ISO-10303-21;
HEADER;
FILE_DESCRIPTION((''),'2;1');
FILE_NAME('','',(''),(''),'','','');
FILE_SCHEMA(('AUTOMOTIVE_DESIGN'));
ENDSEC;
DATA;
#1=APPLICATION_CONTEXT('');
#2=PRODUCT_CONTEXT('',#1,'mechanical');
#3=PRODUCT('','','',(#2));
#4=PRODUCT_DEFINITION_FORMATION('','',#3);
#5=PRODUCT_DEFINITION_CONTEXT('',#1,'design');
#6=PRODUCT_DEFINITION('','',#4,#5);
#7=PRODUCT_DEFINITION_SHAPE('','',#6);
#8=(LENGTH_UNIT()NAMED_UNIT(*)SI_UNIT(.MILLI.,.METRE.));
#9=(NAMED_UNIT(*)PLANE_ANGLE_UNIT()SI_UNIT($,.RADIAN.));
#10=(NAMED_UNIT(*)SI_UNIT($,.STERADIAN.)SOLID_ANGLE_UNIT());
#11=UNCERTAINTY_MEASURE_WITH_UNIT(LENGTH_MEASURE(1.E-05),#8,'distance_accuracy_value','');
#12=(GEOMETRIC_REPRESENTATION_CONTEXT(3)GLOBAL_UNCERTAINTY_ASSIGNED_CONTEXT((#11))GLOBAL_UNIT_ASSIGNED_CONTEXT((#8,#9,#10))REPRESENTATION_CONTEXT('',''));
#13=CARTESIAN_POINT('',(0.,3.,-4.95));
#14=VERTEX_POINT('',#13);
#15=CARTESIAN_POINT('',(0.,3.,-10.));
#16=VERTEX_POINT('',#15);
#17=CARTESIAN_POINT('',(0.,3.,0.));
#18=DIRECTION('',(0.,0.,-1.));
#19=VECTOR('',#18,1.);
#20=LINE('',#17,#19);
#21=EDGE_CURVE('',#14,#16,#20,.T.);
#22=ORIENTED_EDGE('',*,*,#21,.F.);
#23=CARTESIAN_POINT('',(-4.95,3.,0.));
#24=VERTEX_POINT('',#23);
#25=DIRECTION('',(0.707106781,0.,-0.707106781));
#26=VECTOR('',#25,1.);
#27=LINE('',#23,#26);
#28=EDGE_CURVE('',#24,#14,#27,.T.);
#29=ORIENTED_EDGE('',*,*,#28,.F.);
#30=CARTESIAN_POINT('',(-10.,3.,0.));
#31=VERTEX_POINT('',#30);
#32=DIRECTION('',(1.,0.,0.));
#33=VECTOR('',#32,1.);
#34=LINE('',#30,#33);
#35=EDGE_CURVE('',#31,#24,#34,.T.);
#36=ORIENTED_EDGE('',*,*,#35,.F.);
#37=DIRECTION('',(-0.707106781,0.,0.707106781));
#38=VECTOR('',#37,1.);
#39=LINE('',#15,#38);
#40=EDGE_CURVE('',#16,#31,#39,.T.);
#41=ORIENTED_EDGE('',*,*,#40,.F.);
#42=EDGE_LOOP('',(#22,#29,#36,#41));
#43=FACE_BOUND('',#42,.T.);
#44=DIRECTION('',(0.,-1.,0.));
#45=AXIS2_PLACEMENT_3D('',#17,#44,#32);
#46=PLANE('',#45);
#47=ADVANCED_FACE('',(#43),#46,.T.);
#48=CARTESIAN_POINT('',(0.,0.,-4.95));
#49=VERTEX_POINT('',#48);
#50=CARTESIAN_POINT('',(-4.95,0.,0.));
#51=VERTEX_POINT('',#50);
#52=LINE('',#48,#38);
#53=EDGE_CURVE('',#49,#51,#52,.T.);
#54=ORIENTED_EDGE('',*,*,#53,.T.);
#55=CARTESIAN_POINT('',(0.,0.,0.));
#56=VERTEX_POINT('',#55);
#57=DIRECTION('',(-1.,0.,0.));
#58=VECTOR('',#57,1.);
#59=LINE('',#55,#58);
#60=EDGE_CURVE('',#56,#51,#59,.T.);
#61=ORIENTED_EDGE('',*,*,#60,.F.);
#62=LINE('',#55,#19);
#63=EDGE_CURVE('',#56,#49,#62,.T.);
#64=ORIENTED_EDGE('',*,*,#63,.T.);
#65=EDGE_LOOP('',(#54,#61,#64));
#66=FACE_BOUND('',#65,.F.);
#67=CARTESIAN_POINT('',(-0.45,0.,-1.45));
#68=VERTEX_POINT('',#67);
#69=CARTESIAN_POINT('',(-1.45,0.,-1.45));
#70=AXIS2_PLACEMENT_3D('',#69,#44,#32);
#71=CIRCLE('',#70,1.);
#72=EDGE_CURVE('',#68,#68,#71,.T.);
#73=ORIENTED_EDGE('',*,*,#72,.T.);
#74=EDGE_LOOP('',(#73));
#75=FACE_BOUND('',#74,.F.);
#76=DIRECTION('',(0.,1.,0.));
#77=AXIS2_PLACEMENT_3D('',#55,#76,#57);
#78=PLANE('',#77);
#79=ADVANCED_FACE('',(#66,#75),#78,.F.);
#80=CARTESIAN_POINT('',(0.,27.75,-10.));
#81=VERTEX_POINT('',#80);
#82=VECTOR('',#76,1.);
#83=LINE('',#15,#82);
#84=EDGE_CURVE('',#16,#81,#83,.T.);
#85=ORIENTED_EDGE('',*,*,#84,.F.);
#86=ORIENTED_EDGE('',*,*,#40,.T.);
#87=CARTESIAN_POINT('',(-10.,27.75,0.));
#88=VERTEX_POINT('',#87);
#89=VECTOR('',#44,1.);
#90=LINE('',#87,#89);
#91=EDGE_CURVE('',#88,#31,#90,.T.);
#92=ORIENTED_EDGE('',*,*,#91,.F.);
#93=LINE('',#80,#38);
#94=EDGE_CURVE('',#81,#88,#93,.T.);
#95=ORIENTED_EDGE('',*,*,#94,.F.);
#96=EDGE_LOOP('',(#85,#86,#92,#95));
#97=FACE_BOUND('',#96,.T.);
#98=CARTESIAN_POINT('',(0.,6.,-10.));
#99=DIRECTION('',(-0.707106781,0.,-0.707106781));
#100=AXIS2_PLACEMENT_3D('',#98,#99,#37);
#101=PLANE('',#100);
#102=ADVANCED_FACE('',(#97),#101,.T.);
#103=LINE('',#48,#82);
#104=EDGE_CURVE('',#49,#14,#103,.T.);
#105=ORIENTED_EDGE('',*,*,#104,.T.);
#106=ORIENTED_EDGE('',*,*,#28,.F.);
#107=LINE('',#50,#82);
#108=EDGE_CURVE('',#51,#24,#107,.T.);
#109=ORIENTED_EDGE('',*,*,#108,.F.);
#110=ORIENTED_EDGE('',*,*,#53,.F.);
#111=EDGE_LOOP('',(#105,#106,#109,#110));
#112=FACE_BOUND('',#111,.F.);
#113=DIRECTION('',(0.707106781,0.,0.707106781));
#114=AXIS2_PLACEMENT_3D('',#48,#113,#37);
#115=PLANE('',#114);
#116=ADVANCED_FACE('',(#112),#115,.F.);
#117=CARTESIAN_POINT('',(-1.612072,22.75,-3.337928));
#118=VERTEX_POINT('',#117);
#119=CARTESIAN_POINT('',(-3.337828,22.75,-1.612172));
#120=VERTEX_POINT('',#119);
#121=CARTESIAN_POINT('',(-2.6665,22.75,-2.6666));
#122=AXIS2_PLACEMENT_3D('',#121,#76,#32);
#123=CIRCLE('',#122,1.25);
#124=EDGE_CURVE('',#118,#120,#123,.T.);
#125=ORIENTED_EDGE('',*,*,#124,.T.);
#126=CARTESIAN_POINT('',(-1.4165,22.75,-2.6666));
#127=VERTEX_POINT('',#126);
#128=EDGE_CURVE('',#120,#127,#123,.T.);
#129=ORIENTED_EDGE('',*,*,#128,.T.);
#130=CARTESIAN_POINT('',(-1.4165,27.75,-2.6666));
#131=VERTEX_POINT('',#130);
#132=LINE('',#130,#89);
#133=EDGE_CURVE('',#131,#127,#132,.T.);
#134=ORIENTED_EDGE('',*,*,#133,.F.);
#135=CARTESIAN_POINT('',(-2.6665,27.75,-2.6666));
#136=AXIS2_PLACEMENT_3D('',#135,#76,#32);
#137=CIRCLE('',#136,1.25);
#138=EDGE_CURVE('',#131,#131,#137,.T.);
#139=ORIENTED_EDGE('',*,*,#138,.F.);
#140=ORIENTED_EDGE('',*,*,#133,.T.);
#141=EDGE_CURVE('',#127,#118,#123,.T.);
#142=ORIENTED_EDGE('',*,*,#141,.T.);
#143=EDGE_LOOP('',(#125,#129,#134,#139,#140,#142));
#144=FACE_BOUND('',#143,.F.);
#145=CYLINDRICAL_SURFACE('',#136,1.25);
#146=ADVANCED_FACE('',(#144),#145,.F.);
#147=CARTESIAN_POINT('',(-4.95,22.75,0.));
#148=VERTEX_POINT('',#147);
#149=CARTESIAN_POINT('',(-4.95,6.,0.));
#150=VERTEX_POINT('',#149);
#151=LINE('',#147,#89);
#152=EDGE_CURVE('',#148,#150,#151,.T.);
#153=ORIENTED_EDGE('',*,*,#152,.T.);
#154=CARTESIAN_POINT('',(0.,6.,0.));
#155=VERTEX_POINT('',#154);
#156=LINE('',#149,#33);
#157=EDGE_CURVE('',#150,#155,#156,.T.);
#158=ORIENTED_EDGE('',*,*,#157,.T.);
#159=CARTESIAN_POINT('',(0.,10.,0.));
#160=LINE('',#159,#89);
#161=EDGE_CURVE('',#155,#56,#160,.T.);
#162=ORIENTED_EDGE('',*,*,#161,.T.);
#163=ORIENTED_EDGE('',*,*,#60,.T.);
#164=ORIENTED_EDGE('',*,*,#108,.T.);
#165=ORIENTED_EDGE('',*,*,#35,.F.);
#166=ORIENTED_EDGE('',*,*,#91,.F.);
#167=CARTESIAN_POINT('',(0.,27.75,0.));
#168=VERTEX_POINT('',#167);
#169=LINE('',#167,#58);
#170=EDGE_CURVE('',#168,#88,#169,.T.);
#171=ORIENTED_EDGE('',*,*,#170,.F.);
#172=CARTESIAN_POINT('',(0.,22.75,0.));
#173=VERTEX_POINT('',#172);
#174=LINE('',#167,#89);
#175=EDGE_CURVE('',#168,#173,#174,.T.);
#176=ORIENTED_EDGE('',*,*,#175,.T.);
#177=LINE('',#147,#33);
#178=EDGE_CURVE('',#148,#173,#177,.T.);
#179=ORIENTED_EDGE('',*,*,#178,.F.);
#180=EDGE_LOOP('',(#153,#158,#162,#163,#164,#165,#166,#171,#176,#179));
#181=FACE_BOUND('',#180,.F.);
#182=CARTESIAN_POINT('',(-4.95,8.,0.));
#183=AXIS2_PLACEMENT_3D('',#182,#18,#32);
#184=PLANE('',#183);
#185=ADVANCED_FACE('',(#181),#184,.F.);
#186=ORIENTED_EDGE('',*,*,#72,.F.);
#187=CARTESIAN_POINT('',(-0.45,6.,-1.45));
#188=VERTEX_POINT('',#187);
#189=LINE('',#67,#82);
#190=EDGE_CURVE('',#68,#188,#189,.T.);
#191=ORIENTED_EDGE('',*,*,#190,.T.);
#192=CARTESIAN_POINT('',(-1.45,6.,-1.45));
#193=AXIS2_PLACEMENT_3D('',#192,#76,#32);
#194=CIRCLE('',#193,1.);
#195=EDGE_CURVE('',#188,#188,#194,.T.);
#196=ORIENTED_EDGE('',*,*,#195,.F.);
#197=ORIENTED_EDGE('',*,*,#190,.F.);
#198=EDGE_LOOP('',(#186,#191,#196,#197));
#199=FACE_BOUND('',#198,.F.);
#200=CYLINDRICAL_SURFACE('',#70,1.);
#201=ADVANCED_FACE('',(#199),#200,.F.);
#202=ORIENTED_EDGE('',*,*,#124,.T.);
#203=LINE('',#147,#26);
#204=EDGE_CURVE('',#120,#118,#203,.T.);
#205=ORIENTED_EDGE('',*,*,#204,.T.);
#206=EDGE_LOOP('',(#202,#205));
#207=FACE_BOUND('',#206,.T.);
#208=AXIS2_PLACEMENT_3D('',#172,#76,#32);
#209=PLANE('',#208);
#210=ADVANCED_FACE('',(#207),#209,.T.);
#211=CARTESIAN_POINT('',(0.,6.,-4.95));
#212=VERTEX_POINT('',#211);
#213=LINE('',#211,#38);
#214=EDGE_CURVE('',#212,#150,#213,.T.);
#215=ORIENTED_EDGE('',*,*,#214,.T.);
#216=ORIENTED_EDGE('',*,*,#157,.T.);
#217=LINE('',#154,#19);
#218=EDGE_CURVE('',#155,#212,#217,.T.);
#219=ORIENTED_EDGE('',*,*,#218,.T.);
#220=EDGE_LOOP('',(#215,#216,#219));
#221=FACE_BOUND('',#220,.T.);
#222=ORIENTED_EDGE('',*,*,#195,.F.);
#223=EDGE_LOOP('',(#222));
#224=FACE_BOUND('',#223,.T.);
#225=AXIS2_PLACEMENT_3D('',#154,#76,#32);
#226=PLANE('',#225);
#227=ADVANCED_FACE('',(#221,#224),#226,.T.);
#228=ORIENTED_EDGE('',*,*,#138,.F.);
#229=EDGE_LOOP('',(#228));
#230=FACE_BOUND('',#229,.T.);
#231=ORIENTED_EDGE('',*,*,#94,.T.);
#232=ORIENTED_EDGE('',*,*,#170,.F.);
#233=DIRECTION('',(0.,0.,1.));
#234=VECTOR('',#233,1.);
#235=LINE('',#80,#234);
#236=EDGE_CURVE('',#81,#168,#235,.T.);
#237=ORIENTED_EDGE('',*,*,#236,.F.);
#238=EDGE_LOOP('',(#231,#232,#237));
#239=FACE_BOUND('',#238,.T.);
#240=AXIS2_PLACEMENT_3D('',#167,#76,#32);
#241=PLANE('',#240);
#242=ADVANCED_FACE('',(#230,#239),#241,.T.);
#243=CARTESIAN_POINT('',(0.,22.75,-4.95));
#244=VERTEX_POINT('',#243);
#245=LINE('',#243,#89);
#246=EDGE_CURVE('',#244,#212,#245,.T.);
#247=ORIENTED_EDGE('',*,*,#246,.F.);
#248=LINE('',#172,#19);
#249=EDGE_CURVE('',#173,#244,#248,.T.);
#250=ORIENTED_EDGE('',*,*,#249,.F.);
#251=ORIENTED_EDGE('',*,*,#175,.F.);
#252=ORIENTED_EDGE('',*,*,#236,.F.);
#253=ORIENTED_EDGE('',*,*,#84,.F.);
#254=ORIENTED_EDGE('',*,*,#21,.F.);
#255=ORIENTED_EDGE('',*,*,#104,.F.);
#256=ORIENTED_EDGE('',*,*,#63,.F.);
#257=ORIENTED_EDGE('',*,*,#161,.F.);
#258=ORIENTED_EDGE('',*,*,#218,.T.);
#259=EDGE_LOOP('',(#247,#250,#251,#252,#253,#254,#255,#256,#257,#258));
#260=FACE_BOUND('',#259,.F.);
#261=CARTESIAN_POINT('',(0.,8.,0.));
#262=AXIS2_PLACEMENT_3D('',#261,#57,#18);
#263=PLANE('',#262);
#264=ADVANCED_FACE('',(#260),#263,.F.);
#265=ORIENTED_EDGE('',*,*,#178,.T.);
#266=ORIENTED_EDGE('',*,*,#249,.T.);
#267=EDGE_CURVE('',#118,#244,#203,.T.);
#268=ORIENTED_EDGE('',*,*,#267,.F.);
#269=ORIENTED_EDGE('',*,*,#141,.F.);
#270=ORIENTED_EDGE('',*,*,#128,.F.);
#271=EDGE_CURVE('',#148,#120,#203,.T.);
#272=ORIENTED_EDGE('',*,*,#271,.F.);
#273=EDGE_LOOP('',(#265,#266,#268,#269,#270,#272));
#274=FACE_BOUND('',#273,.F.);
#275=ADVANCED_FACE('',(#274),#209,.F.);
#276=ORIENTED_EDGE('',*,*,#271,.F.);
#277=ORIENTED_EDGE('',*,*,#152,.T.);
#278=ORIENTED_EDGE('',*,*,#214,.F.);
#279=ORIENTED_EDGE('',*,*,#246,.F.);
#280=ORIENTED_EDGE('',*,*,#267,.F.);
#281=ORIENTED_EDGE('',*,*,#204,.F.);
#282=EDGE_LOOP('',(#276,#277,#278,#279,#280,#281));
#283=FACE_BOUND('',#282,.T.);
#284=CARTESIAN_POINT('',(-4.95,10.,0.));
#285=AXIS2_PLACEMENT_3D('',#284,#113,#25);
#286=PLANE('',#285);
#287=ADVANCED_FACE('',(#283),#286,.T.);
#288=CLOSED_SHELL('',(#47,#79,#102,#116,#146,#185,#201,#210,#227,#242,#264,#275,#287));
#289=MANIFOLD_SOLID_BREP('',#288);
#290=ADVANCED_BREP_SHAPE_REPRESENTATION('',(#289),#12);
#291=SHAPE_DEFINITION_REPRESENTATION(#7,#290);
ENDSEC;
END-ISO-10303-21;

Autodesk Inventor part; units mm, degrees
ref_plane "YZ Plane" through (0, 0, 0) normal (1, 0, 0) x (0, 1, 0)
ref_plane "XZ Plane" through (0, 0, 0) normal (0, 1, 0) x (-1, 0, 0)
ref_plane "XY Plane" through (0, 0, 0) normal (0, 0, 1) x (1, 0, 0)
sketch "Sketch1" plane through (0, 0, 0) normal (0, 1, 0) x (-1, 0, 0)
  line L0 (0, 0) -> (4.95, 0)
  line L1 (0, 0) -> (0, -4.95)
  line L2 (0, -4.95) -> (4.95, 0)
  dimension "d0" = 4.95
  dimension "d1" = 4.95
extrude "Extrusion1" add sketch "Sketch1" along normal blind 6
sketch "Sketch2" plane through (0, 6, 0) normal (0, 1, 0) x (1, 0, 0)
  line L0 (-4.95, 0) -> (0, 0) projected
  line L1 (0, 0) -> (-10, 0)
  line L2 (0, 0) -> (0, 10)
  line L3 (0, 10) -> (-10, 0)
  dimension "d4" = 10
  dimension "d5" = 10
extrude "Extrusion2" add sketch "Sketch2" along normal blind 2
sketch "Sketch3" plane through (0, 8, 0) normal (0, 1, 0) x (1, 0, 0)
  line L0 (-10, 0) -> (-4.95, 0) projected
  line L1 (-10, 0) -> (-4.95, 0)
  line L2 (0, 4.95) -> (0, 10) projected
  line L3 (-4.95, 0) -> (0, 4.95)
  line L4 (0, 4.95) -> (0, 10)
  line L5 (0, 10) -> (-10, 0)
  point P0 (0, 0)
extrude "Extrusion3" add sketch "Sketch3" along normal blind 19.75
sketch "Sketch4" plane through (0, 27.75, 0) normal (0, 1, 0) x (1, 0, 0)
  line L0 (-4.95, 0) -> (0, 0) projected
  line L1 (-4.95, 0) -> (0, 0)
  line L2 (-4.95, 0) -> (0, 4.95) projected
  line L3 (0, 0) -> (0, 4.95) projected
extrude "Extrusion4" add sketch "Sketch4" against normal blind 5
sketch "Sketch6" plane through (0, 27.75, 0) normal (0, 1, 0) x (1, 0, 0)
  line L0 (-10, 0) -> (-4.95, 0) projected
  line L1 (-10, 0) -> (0, 10)
  line L2 (0, 10) -> (-10, 0) projected
  line L3 (-4.95, 0) -> (0, 0) projected
  line L4 (0, 0) -> (0, 10) projected
  circle A0 centre (-2.6665, 2.6666) radius 1.25
  dimension "d12" = 2.5
  dimension "d17" = 3.3
  dimension "d18" = 2.6665
  dimension "d19" = 2.6666
extrude "Extrusion5" cut sketch "Sketch6" against normal blind 5 contours A0
sketch "Sketch7" plane through (0, 8, 0) normal (0, 1, 0) x (1, 0, 0)
  line L0 (0, 4.95) -> (-4.95, 0) projected
  line L1 (0, 4.95) -> (-4.95, 0)
  line L2 (0, 4.95) -> (-4.95, 0) projected
  line L3 (0, 0) -> (0, 4.95) projected
  line L4 (-4.95, 0) -> (0, 0)
  line L5 (0, 0) -> (0, 4.95)
extrude "Extrusion6" add sketch "Sketch7" along normal blind 2
sketch "Sketch8" plane through (0, 0, 0) normal (0, -1, 0) x (1, 0, 0)
  line L0 (-4.95, 0) -> (0, 0) projected
  line L1 (0, 0) -> (0, -4.95) projected
  circle A0 centre (-1.45, -1.45) radius 1
  dimension "d20" = 1.45
  dimension "d21" = 1.45
  dimension "d22" = 2
extrude "Extrusion7" cut sketch "Sketch8" against normal up to surface (10 mm away)
sketch "Sketch9" plane through (0, 27.75, 0) normal (0, 1, 0) x (1, 0, 0)
  line L0 (0, 10) -> (10.5977, -0.5977)
  line L1 (0, 0) -> (0, 10) projected
  line L2 (0, 10) -> (-10, 0) projected
  line L3 (0, 10) -> (11.6673, -1.6673)
  line L4 (11.6673, -1.6673) -> (1.6673, -11.6673)
  line L5 (11.6673, -1.6673) -> (30.5491, -1.6673) construction
  line L6 (-10, 0) -> (1.6673, -11.6673)
  arc A0 (8.435, -4.8995) -> (4.8995, -8.435) centre (6.6673, -6.6673) ccw
  line L7 (6.6673, -6.6673) -> (4.8995, -4.8995)
  circle A1 centre (4.8995, -4.8995) radius 1.25
  dimension "d25" = 45
  dimension "d26" = 16.5
  dimension "d27" = 135
  dimension "d28" = 5
  dimension "d29" = 2.5
sketch "Sketch10" plane through (0, 10, 0) normal (0, 1, 0) x (1, 0, 0)
  line L0 (-4.95, 0) -> (0, 0) projected
  line L1 (-4.95, 0) -> (0, 4.95) projected
  line L2 (0, 0) -> (0, 4.95) projected
  circle A0 centre (-1.45, 1.45) radius 1 projected
  circle A1 centre (-1.45, 1.45) radius 1 projected
  line L3 (0, 0) -> (0, 4.95) projected
  line L4 (-4.95, 0) -> (0, 4.95) projected
  line L5 (-4.95, 0) -> (0, 0) projected
extrude "Extrusion8" cut sketch "Sketch10" against normal blind 4
sketch "Sketch11" plane through (0, 6, 0) normal (0, -1, 0) x (1, 0, 0)
  line L0 (-3.3378, -1.6122) -> (-4.95, 0) projected
  line L1 (-1.6121, -3.3379) -> (-3.3378, -1.6122) projected
  line L2 (0, -4.95) -> (-1.6121, -3.3379) projected
  line L3 (0, -4.95) -> (0, 0) projected
  line L4 (0, 0) -> (0, -10) projected
  line L5 (0, -4.95) -> (0, -10) projected
  line L6 (-10, 0) -> (-4.95, 0) projected
  line L7 (-10, 0) -> (0, 0) projected
  line L8 (0, 0) -> (-4.95, 0) projected
  circle A0 centre (-1.45, -1.45) radius 1 projected
  line L9 (0, -4.95) -> (0, 0) projected
  line L10 (0, 0) -> (-4.95, 0) projected
  line L11 (0, -4.95) -> (-4.95, 0) projected
  line L12 (0, -4.95) -> (-1.6121, -3.3379) projected
  line L13 (-1.6121, -3.3379) -> (-3.3378, -1.6122) projected
  line L14 (-3.3378, -1.6122) -> (-4.95, 0) projected
  line L15 (0, -4.95) -> (-4.95, 0) projected
  line L16 (0, -4.95) -> (0, -10) projected
  line L17 (0, 0) -> (0, -10) projected
  line L18 (0, -4.95) -> (0, 0) projected
  line L19 (0, 0) -> (-4.95, 0) projected
  line L20 (-10, 0) -> (0, 0) projected
  line L21 (-10, 0) -> (-4.95, 0) projected
  line L22 (0, -4.95) -> (-4.95, 0) projected
  line L23 (0, 0) -> (-4.95, 0) projected
  line L24 (0, -4.95) -> (0, 0) projected
  circle A1 centre (-1.45, -1.45) radius 1 projected
  line L25 (0, -10) -> (-10, 0) projected
  line L26 (0, -10) -> (-10, 0) projected
  arc A2 (-1.6121, -3.3379) -> (-3.3378, -1.6122) centre (-2.6665, -2.6666) ccw projected
  arc A3 (-3.3378, -1.6122) -> (-1.6121, -3.3379) centre (-2.6665, -2.6666) ccw projected
  line L27 (-1.6121, -3.3379) -> (-3.3378, -1.6122) projected
  arc A4 (-3.3378, -1.6122) -> (-1.6121, -3.3379) centre (-2.6665, -2.6666) ccw projected
  circle A5 centre (-2.6665, -2.6666) radius 1.25 projected
  arc A6 (-1.6121, -3.3379) -> (-3.3378, -1.6122) centre (-2.6665, -2.6666) ccw projected
  arc A7 (-3.3378, -1.6122) -> (-1.6121, -3.3379) centre (-2.6665, -2.6666) ccw projected
  circle A8 centre (-2.6665, -2.6666) radius 1.25 projected
  line L28 (0, -10) -> (-10, 0) projected
  circle A9 centre (-2.6665, -2.6666) radius 1.25 projected
  line L29 (0, 0) -> (0, -10) projected
  line L30 (0, -10) -> (-10, 0) projected
  line L31 (-10, 0) -> (0, 0) projected
  arc A10 (-1.6121, -3.3379) -> (-3.3378, -1.6122) centre (-2.6665, -2.6666) ccw projected
  line L32 (0, -4.95) -> (-1.6121, -3.3379) projected
  line L33 (0, -4.95) -> (0, 0) projected
  line L34 (0, 0) -> (-4.95, 0) projected
  line L35 (-3.3378, -1.6122) -> (-4.95, 0) projected
  line L36 (0, -4.95) -> (-4.95, 0) projected
  circle A11 centre (-1.45, -1.45) radius 1 projected
  line L37 (0, 0) -> (0, -4.95) projected
  line L38 (-4.95, 0) -> (0, 0) projected
  line L39 (0, -4.95) -> (-4.95, 0) projected
  line L40 (0, -4.95) -> (-4.95, 0) projected
  circle A12 centre (-1.45, -1.45) radius 1 projected
  circle A13 centre (-1.45, -1.45) radius 1 projected
  line L41 (0, -4.95) -> (0, 0) projected
  line L42 (0, 0) -> (0, -4.95) projected
  line L43 (0, 0) -> (-4.95, 0) projected
  line L44 (-4.95, 0) -> (0, 0) projected
  circle A14 centre (-1.45, -1.45) radius 1 projected
  line L45 (-4.95, 0) -> (0, 0) projected
  line L46 (0, -4.95) -> (-4.95, 0) projected
  line L47 (0, 0) -> (0, -4.95) projected
  line L48 (0, -4.95) -> (-4.95, 0) projected
  line L49 (-10, 0) -> (-4.95, 0) projected
  line L50 (0, -10) -> (-10, 0) projected
  line L51 (0, -4.95) -> (0, -10) projected
  line L52 (0, -10) -> (-10, 0) projected
  line L53 (0, 0) -> (0, -10) projected
  line L54 (0, -10) -> (-10, 0) projected
  line L55 (-3.3378, -1.6122) -> (-1.6121, -3.3379)
extrude "Extrusion9" add sketch "Sketch11" along normal blind 3 contours A3 L2 L4 L25 L6 L0 | L1 A3
properties part number "bracket servo_3DPrint"
